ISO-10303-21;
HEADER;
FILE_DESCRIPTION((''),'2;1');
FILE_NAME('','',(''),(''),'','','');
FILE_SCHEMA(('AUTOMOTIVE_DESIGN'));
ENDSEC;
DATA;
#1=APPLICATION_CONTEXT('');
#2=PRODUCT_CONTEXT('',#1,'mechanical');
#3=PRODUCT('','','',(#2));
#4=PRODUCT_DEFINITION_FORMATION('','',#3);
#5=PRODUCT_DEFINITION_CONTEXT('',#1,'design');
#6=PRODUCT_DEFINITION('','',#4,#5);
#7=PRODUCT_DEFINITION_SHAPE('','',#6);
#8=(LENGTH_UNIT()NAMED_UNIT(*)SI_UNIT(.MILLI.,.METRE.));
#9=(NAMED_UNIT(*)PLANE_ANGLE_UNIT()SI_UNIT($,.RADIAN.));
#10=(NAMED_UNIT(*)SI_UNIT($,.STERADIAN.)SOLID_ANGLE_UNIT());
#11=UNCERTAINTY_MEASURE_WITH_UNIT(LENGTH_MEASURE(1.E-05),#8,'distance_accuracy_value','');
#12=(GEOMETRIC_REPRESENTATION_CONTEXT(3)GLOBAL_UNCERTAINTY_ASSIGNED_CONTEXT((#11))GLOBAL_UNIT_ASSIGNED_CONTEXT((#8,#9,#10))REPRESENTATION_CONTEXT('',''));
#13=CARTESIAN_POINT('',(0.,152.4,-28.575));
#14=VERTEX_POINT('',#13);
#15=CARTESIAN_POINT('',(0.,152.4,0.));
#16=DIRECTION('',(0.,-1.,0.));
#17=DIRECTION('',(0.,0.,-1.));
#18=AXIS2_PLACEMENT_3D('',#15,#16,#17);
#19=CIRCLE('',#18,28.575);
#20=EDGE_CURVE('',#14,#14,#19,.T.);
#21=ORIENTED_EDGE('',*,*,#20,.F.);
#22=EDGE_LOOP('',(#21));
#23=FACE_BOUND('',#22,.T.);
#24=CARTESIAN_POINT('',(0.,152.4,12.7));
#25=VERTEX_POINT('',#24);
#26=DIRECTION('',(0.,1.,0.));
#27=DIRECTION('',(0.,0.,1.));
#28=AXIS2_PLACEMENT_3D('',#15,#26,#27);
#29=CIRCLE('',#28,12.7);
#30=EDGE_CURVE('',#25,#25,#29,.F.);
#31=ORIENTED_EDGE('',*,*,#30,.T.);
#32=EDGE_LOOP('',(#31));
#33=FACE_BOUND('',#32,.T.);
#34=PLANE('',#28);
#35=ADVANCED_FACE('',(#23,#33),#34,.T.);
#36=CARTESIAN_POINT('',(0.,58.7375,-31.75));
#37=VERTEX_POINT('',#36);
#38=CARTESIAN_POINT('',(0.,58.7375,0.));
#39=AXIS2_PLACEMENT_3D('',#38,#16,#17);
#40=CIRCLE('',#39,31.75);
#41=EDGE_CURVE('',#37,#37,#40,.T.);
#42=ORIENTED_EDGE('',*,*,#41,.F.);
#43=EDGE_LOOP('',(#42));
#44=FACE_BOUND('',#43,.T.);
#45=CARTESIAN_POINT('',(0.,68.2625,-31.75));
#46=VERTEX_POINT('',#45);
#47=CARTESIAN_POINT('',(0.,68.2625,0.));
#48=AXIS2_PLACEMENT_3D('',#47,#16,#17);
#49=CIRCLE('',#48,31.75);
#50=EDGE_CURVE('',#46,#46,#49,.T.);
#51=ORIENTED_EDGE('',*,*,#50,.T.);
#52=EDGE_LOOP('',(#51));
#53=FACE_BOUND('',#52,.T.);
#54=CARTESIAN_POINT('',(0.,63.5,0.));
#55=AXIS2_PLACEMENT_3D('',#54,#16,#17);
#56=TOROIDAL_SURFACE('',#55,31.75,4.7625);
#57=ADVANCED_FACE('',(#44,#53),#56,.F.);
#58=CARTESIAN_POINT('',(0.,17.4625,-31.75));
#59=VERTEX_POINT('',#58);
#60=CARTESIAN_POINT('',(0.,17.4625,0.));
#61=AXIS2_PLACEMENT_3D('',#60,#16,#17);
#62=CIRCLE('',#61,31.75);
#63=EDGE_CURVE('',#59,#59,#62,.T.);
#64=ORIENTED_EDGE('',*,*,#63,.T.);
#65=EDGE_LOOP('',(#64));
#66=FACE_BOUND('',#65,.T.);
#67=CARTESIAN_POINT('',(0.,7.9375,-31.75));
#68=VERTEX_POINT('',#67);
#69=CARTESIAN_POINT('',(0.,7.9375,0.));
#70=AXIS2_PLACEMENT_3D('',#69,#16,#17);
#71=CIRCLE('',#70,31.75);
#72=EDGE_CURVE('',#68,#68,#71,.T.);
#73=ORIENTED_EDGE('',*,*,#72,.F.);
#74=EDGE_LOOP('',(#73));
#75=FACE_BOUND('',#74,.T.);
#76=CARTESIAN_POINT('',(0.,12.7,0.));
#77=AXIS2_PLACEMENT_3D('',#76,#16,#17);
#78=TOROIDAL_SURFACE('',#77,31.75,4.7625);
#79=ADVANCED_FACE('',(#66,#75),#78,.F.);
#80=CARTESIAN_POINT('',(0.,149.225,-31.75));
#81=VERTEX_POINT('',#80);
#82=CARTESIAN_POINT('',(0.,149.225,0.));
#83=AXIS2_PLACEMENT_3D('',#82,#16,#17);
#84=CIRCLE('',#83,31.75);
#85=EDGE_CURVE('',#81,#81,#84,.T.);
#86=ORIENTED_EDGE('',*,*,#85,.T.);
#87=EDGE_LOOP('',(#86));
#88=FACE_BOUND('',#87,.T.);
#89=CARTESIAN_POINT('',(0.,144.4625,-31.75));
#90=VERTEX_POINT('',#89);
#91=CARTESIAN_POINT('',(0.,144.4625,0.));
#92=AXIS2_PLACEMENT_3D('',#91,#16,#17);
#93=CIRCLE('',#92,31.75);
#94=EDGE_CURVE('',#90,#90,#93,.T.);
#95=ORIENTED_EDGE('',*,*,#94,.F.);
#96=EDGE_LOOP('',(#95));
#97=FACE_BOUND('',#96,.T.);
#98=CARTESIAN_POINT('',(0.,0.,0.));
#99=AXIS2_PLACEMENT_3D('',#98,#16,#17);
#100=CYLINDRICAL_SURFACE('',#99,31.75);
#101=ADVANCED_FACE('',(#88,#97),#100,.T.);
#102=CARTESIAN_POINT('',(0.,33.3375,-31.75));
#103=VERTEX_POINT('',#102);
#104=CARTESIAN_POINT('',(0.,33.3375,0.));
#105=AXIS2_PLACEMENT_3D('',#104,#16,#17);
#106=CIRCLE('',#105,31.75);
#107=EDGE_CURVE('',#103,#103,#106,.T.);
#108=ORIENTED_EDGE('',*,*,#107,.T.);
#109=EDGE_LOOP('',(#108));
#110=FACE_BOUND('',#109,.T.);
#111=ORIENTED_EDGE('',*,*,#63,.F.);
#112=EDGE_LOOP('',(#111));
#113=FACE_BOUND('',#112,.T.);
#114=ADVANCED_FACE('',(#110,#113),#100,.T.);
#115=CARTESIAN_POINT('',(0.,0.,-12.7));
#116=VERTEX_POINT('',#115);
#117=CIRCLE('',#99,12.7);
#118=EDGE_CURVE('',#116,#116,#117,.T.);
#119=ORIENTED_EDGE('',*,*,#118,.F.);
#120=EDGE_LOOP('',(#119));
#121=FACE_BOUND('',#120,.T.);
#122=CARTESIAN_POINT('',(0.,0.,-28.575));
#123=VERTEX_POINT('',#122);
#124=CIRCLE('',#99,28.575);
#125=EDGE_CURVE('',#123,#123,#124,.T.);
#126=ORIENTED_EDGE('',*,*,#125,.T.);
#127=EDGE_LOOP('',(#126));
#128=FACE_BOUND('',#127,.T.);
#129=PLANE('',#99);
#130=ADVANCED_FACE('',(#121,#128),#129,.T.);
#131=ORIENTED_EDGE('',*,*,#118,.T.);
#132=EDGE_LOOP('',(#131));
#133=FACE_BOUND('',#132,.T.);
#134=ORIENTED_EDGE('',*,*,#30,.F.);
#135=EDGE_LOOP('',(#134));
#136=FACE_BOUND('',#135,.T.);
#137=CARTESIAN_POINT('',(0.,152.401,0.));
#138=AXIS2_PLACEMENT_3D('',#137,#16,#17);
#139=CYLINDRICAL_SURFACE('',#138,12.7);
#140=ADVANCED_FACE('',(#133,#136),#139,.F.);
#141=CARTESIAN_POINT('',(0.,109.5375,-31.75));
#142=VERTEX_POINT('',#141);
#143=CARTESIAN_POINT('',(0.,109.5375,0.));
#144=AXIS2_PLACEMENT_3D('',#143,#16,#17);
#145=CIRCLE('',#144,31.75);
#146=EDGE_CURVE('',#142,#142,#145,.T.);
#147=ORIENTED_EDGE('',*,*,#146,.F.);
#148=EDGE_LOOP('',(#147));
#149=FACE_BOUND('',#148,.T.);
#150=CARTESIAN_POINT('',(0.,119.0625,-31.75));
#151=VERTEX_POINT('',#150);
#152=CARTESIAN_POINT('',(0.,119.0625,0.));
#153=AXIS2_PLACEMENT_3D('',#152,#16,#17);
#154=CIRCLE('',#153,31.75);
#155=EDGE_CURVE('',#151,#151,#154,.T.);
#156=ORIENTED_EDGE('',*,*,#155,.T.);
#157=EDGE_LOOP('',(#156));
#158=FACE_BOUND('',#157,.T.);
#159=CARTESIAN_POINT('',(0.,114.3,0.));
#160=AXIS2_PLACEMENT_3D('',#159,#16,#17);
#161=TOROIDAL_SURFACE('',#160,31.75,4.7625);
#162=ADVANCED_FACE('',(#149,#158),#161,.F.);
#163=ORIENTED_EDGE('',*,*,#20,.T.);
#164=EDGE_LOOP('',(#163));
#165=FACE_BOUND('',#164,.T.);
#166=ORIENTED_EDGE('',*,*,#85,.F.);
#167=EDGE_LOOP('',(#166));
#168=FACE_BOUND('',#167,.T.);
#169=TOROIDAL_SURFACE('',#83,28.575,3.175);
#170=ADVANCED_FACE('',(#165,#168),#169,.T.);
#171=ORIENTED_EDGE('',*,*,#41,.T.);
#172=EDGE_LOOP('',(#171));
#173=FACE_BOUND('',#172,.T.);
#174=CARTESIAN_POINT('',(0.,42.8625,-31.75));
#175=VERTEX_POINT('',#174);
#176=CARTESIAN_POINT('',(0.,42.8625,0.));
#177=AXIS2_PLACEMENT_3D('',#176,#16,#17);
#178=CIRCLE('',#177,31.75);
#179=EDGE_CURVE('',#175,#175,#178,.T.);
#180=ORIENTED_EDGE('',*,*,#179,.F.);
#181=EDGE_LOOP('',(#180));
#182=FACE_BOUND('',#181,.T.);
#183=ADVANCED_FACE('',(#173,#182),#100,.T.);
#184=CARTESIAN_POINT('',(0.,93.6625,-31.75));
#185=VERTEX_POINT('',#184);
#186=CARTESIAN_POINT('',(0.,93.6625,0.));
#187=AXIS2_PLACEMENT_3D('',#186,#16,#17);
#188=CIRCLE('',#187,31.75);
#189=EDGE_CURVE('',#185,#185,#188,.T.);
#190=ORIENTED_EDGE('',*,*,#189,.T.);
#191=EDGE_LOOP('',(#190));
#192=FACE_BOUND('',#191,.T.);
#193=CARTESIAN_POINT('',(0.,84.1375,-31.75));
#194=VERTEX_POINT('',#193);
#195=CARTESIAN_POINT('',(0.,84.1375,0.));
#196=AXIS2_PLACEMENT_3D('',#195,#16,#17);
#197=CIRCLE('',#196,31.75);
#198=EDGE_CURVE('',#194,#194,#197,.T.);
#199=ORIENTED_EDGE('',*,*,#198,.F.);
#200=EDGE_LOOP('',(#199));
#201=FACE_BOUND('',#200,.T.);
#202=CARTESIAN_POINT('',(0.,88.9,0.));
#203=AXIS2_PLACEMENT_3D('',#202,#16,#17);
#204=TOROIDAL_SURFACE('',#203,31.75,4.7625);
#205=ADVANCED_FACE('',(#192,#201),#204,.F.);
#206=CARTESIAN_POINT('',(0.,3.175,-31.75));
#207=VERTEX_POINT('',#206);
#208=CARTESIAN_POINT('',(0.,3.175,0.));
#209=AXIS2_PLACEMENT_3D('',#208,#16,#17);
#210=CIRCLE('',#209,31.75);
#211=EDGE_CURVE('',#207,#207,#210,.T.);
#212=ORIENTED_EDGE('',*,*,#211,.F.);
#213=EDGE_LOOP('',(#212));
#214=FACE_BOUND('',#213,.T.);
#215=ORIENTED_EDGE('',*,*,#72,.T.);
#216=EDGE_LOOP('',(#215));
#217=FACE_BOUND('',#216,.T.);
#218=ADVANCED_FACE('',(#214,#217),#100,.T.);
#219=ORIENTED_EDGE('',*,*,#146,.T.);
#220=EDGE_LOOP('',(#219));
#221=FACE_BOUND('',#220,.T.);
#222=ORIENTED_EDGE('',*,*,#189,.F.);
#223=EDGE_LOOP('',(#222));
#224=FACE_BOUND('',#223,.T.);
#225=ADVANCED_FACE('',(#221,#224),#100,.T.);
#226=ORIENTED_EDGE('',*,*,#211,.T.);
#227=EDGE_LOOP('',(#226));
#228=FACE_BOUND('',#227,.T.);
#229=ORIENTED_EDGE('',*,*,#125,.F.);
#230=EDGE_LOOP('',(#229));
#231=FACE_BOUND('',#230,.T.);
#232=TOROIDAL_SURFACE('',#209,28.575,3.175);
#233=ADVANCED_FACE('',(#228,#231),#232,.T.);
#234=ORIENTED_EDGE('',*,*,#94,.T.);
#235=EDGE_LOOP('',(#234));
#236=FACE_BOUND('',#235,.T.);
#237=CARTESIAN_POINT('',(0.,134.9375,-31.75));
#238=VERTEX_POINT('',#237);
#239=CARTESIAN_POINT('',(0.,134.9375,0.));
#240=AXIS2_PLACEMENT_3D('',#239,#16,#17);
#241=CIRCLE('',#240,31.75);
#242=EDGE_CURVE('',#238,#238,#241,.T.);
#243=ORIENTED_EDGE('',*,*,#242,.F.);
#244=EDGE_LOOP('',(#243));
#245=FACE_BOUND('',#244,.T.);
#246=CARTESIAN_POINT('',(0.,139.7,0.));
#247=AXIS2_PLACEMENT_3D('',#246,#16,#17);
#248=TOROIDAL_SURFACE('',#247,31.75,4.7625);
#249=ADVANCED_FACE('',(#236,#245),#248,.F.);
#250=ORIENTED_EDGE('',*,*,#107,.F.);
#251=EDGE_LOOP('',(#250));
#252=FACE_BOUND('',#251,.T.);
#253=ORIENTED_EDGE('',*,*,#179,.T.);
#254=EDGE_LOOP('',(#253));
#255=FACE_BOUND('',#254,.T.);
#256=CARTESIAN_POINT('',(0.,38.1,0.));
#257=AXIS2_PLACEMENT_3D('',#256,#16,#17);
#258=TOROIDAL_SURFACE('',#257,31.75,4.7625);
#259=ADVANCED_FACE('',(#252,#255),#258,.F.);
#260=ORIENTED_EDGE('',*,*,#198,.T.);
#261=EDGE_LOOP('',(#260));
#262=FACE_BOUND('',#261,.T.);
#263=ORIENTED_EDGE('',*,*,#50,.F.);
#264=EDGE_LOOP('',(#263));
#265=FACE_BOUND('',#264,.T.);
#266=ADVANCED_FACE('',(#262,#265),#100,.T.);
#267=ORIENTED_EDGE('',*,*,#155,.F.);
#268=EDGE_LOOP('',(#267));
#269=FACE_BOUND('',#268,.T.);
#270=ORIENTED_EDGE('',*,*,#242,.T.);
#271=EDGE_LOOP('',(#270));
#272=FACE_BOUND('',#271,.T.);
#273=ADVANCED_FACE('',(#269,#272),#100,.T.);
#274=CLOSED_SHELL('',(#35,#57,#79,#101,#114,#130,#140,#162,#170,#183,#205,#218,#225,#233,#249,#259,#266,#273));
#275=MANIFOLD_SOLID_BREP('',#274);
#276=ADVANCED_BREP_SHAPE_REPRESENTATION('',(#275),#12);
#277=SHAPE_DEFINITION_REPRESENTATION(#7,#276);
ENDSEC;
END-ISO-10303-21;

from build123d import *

# Parameters (mm, degrees)
CUT_EXTRUDE1_REACH = 154.4
SKETCH2_R          = 12.7


with BuildPart() as part:
    # Sketch1 → Revolve1 (revolve)
    with BuildSketch(Plane(origin=(0, 0, 0), x_dir=(0, 0, -1), z_dir=(1, 0, 0))):
        with BuildLine():
            Line((31.75, 144.4625), (31.75, 149.225))
            ThreePointArc((31.75, 149.225), (30.82006403, 151.47006403), (28.575, 152.4))
            Line((28.575, 152.4), (0, 152.4))
            Line((0, 152.4), (0, 0))
            Line((0, 0), (28.575, 0))
            ThreePointArc((28.575, 0), (30.82006403, 0.92993597), (31.75, 3.175))
            Line((31.75, 3.175), (31.75, 7.9375))
            ThreePointArc((31.75, 7.9375), (26.9875, 12.7), (31.75, 17.4625))
            Line((31.75, 17.4625), (31.75, 33.3375))
            ThreePointArc((31.75, 33.3375), (26.9875, 38.1), (31.75, 42.8625))
            Line((31.75, 42.8625), (31.75, 58.7375))
            ThreePointArc((31.75, 58.7375), (26.9875, 63.5), (31.75, 68.2625))
            Line((31.75, 68.2625), (31.75, 84.1375))
            ThreePointArc((31.75, 84.1375), (26.9875, 88.9), (31.75, 93.6625))
            Line((31.75, 93.6625), (31.75, 109.5375))
            ThreePointArc((31.75, 109.5375), (26.9875, 114.3), (31.75, 119.0625))
            Line((31.75, 119.0625), (31.75, 134.9375))
            ThreePointArc((31.75, 134.9375), (26.9875, 139.7), (31.75, 144.4625))
        make_face()
    revolve(axis=Axis((0, 0, 0), (0, 1, 0)))

    # Sketch2 → Cut-Extrude1 (cut, up to next)
    with BuildSketch(Plane.XZ, mode=Mode.PRIVATE) as cut_extrude1_sk1:
        Circle(SKETCH2_R)
    cut_extrude1_tool1 = extrude(cut_extrude1_sk1.sketch, amount=-CUT_EXTRUDE1_REACH, mode=Mode.PRIVATE) & part.part
    add(cut_extrude1_tool1.solids().sort_by_distance((0, 0, 0))[0], mode=Mode.SUBTRACT)


solid = part.part
